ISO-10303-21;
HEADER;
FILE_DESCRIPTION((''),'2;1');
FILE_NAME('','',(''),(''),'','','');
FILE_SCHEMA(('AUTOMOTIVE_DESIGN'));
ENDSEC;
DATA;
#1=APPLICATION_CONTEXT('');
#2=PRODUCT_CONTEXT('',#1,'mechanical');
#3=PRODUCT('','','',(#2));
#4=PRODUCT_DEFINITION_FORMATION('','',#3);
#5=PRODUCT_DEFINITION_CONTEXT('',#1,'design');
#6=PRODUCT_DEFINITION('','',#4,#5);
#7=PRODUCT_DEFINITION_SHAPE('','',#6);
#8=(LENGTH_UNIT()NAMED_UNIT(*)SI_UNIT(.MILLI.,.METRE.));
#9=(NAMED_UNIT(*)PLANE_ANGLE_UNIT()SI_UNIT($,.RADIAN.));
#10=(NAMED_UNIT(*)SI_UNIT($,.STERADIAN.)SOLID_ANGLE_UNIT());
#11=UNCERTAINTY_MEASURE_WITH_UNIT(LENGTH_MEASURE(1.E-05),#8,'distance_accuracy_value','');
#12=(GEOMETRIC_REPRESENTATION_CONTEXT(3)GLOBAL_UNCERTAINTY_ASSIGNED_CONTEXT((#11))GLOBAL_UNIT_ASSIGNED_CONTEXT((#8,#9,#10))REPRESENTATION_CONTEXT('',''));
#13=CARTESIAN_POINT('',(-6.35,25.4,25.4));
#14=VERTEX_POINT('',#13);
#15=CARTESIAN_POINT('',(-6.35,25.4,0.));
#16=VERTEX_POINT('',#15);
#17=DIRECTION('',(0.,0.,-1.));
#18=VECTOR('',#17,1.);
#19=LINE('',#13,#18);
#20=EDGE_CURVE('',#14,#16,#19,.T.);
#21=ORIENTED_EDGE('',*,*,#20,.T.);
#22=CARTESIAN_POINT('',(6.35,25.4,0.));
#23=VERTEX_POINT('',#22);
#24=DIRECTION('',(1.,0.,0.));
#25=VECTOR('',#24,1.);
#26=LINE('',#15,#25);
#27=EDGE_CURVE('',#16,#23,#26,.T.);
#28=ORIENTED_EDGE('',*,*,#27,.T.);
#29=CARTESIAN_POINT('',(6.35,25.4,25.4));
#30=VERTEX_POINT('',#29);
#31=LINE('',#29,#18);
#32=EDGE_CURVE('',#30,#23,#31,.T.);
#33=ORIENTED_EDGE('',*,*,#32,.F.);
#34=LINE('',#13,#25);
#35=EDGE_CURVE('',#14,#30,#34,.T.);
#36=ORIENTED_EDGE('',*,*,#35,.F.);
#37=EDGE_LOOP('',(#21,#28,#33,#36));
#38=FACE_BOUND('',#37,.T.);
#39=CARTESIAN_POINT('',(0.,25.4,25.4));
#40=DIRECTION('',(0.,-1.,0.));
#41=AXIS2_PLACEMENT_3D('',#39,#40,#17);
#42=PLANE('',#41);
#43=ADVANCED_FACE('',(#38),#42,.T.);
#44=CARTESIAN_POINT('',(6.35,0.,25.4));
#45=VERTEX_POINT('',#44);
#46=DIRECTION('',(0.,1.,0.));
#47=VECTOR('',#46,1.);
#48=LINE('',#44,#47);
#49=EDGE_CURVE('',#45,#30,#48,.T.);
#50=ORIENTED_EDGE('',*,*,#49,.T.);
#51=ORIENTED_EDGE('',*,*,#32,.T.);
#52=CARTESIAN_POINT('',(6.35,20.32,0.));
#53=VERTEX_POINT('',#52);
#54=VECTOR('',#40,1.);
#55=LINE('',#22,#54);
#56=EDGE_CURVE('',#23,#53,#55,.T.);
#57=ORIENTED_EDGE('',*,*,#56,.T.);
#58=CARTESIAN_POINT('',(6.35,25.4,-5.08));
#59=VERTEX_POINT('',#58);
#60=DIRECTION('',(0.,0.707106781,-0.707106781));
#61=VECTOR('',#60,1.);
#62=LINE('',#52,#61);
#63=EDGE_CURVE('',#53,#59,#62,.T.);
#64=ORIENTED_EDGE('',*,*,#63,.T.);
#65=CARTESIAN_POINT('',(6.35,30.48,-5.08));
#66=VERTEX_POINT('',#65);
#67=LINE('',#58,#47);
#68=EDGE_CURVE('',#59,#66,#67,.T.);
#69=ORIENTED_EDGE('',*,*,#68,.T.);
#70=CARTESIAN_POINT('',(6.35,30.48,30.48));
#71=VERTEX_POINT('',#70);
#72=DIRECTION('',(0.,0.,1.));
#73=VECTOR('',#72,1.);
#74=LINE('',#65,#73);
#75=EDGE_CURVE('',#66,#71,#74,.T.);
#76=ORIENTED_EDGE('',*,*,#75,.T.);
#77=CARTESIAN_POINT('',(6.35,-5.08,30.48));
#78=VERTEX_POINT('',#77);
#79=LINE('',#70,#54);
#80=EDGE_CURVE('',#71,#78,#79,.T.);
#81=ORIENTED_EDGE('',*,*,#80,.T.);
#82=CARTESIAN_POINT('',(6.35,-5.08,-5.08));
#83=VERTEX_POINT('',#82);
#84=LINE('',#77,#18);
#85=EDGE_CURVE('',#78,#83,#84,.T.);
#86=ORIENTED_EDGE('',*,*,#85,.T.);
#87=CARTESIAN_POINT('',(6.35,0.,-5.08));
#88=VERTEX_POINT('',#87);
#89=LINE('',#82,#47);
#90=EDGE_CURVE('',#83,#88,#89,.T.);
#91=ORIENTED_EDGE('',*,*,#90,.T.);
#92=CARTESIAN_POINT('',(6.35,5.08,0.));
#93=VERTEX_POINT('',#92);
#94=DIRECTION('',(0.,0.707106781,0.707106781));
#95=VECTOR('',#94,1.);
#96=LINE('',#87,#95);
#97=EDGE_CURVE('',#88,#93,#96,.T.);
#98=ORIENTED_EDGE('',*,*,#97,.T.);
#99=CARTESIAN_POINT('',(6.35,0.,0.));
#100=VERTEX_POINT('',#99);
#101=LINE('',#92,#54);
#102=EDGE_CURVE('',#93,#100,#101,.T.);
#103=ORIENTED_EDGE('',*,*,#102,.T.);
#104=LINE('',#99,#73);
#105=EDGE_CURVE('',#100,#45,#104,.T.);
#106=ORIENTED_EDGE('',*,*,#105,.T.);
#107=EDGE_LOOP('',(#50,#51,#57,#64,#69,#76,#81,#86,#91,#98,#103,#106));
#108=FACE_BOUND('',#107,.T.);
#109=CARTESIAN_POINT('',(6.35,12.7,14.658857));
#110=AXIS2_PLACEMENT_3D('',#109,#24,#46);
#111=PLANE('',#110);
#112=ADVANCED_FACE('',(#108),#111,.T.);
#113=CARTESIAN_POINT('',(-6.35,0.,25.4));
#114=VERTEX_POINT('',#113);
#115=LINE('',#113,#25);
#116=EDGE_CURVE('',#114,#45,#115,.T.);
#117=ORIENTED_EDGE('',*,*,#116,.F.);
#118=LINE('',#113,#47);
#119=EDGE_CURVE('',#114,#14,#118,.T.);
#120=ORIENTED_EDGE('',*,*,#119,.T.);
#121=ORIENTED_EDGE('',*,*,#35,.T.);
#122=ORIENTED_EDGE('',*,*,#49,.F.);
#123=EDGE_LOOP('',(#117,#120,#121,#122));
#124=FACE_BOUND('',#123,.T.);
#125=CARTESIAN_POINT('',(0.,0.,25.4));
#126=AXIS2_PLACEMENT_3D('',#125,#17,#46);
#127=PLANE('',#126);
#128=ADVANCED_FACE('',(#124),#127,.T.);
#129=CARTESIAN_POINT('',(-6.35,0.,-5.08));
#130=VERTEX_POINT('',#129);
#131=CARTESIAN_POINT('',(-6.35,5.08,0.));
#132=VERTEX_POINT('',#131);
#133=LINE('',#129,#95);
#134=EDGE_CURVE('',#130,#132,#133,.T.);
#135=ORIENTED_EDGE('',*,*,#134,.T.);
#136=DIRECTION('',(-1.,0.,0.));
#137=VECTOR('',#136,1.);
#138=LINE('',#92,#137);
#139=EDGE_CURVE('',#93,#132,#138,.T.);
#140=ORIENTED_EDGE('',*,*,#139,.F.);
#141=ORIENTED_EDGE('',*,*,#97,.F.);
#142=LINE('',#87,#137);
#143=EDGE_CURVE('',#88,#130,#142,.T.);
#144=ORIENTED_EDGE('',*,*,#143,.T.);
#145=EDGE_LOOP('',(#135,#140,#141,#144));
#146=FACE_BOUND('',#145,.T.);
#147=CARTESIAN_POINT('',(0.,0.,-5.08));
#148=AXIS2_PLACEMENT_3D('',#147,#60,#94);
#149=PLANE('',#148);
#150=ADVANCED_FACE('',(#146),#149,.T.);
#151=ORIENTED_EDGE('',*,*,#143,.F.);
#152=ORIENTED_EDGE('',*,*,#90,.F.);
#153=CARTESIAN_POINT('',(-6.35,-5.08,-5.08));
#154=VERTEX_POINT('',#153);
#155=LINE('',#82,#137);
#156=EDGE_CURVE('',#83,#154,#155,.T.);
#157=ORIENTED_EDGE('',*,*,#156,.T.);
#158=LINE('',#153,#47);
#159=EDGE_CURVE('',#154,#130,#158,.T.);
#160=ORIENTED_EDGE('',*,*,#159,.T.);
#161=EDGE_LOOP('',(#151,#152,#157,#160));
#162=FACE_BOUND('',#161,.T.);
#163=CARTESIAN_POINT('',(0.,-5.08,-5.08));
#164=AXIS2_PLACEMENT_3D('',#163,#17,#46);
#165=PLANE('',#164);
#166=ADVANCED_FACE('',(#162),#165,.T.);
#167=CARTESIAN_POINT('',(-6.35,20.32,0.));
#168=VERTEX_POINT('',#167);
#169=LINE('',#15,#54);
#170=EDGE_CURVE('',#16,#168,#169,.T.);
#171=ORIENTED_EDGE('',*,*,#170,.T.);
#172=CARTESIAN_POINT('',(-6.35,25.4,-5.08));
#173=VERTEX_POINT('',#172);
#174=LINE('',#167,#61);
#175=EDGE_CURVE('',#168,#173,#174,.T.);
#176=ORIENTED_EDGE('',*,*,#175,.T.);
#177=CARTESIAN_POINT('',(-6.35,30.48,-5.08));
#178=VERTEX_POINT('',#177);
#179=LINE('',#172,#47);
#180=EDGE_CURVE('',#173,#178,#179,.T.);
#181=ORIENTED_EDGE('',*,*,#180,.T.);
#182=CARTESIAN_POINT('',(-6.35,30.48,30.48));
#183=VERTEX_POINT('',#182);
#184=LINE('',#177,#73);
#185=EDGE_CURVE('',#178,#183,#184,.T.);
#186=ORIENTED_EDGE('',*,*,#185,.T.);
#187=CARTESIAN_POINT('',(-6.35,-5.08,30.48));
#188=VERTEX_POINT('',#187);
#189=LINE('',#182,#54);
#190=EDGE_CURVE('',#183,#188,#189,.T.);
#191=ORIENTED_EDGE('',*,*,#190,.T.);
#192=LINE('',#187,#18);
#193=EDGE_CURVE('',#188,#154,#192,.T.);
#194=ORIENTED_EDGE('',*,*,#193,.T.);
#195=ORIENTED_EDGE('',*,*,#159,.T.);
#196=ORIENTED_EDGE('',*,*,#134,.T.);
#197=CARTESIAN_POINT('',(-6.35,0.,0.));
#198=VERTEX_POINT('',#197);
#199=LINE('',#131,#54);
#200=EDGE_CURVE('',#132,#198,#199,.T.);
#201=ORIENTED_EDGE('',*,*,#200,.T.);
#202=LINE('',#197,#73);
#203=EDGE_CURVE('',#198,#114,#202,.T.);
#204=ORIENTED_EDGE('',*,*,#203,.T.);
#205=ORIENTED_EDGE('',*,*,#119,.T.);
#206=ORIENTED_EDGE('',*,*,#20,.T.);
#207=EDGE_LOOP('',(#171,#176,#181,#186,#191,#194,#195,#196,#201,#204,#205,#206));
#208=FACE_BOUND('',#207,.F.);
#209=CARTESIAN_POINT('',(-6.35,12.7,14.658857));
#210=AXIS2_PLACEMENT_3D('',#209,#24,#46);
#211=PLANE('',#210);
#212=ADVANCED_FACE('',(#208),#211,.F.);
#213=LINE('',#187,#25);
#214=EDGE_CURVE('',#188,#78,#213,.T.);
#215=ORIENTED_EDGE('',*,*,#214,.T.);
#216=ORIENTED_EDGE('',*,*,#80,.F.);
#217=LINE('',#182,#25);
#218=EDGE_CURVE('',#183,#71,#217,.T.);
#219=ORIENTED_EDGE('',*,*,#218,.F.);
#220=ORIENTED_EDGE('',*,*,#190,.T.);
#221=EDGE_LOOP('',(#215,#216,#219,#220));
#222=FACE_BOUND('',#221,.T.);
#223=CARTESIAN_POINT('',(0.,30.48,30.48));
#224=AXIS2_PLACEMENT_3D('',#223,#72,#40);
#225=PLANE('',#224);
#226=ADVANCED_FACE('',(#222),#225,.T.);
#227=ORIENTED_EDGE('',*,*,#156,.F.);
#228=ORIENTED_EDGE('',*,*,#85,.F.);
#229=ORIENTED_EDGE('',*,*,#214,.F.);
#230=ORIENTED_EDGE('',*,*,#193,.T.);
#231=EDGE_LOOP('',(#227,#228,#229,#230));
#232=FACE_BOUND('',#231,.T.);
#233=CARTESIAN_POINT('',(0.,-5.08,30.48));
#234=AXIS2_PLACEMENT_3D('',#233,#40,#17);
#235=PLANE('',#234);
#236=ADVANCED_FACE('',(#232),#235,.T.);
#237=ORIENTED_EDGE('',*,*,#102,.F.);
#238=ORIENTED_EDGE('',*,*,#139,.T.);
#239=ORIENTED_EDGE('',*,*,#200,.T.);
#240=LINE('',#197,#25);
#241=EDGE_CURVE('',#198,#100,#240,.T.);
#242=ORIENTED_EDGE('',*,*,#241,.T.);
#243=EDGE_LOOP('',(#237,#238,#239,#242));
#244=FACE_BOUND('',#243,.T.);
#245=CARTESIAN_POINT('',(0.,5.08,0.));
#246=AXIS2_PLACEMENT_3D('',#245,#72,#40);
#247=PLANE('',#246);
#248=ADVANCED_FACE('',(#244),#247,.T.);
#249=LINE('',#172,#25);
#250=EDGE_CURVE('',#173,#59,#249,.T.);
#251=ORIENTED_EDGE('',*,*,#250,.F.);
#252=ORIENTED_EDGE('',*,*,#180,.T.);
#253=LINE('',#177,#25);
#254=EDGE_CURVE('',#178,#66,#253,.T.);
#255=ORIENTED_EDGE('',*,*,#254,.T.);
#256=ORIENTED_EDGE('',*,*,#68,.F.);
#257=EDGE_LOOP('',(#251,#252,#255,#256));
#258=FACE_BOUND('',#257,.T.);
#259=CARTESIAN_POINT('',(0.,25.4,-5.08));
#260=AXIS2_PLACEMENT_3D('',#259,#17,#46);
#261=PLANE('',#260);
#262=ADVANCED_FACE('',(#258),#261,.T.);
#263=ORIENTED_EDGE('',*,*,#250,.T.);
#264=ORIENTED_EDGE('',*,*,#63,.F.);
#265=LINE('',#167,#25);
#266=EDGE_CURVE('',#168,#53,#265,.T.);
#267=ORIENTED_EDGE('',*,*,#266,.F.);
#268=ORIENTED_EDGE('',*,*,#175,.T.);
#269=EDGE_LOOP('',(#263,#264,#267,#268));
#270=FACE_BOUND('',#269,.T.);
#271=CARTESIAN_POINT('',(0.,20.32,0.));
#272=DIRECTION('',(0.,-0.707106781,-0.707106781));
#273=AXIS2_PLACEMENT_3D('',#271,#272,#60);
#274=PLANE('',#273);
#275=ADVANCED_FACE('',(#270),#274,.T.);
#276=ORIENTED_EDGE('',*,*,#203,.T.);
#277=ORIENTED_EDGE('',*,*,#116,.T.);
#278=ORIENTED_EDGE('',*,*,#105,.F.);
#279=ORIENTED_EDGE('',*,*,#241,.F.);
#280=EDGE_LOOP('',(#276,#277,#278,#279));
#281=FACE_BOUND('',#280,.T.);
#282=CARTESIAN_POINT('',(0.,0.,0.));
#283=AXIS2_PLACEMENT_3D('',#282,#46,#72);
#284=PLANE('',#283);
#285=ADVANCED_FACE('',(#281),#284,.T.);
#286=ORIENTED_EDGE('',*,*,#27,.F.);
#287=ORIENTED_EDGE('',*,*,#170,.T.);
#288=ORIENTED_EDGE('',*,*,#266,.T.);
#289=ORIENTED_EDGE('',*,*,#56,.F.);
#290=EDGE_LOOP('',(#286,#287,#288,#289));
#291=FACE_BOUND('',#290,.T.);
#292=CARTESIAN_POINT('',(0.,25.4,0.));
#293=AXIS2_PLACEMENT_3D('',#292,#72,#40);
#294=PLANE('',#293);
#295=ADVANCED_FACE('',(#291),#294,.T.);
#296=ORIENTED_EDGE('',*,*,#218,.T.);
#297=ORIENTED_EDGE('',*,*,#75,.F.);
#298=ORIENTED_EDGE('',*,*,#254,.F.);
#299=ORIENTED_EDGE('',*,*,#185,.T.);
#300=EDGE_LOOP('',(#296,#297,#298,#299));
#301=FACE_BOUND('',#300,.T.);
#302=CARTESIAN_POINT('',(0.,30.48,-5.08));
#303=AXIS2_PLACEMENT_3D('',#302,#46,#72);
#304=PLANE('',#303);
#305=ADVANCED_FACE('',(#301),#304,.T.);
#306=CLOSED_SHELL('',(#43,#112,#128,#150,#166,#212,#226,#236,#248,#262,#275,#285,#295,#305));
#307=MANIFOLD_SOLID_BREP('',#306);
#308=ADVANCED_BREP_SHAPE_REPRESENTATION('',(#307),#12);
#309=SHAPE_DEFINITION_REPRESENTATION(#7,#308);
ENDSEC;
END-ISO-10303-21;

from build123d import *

# Parameters (mm, degrees)
F1_DEPTH = 6.35


with BuildPart() as f1:
    # F0 (on Right) → F1 (new body, symmetric)
    with BuildSketch(Plane.YZ):
        Polygon((5.08, 0), (0, 0), (0, 25.4), (25.4, 25.4), (25.4, 0), (20.32, 0), (25.4, -5.08), (30.48, -5.08), (30.48, 30.48), (-5.08, 30.48), (-5.08, -5.08), (0, -5.08), align=None)
    extrude(amount=F1_DEPTH, both=True)


solid = f1.part
